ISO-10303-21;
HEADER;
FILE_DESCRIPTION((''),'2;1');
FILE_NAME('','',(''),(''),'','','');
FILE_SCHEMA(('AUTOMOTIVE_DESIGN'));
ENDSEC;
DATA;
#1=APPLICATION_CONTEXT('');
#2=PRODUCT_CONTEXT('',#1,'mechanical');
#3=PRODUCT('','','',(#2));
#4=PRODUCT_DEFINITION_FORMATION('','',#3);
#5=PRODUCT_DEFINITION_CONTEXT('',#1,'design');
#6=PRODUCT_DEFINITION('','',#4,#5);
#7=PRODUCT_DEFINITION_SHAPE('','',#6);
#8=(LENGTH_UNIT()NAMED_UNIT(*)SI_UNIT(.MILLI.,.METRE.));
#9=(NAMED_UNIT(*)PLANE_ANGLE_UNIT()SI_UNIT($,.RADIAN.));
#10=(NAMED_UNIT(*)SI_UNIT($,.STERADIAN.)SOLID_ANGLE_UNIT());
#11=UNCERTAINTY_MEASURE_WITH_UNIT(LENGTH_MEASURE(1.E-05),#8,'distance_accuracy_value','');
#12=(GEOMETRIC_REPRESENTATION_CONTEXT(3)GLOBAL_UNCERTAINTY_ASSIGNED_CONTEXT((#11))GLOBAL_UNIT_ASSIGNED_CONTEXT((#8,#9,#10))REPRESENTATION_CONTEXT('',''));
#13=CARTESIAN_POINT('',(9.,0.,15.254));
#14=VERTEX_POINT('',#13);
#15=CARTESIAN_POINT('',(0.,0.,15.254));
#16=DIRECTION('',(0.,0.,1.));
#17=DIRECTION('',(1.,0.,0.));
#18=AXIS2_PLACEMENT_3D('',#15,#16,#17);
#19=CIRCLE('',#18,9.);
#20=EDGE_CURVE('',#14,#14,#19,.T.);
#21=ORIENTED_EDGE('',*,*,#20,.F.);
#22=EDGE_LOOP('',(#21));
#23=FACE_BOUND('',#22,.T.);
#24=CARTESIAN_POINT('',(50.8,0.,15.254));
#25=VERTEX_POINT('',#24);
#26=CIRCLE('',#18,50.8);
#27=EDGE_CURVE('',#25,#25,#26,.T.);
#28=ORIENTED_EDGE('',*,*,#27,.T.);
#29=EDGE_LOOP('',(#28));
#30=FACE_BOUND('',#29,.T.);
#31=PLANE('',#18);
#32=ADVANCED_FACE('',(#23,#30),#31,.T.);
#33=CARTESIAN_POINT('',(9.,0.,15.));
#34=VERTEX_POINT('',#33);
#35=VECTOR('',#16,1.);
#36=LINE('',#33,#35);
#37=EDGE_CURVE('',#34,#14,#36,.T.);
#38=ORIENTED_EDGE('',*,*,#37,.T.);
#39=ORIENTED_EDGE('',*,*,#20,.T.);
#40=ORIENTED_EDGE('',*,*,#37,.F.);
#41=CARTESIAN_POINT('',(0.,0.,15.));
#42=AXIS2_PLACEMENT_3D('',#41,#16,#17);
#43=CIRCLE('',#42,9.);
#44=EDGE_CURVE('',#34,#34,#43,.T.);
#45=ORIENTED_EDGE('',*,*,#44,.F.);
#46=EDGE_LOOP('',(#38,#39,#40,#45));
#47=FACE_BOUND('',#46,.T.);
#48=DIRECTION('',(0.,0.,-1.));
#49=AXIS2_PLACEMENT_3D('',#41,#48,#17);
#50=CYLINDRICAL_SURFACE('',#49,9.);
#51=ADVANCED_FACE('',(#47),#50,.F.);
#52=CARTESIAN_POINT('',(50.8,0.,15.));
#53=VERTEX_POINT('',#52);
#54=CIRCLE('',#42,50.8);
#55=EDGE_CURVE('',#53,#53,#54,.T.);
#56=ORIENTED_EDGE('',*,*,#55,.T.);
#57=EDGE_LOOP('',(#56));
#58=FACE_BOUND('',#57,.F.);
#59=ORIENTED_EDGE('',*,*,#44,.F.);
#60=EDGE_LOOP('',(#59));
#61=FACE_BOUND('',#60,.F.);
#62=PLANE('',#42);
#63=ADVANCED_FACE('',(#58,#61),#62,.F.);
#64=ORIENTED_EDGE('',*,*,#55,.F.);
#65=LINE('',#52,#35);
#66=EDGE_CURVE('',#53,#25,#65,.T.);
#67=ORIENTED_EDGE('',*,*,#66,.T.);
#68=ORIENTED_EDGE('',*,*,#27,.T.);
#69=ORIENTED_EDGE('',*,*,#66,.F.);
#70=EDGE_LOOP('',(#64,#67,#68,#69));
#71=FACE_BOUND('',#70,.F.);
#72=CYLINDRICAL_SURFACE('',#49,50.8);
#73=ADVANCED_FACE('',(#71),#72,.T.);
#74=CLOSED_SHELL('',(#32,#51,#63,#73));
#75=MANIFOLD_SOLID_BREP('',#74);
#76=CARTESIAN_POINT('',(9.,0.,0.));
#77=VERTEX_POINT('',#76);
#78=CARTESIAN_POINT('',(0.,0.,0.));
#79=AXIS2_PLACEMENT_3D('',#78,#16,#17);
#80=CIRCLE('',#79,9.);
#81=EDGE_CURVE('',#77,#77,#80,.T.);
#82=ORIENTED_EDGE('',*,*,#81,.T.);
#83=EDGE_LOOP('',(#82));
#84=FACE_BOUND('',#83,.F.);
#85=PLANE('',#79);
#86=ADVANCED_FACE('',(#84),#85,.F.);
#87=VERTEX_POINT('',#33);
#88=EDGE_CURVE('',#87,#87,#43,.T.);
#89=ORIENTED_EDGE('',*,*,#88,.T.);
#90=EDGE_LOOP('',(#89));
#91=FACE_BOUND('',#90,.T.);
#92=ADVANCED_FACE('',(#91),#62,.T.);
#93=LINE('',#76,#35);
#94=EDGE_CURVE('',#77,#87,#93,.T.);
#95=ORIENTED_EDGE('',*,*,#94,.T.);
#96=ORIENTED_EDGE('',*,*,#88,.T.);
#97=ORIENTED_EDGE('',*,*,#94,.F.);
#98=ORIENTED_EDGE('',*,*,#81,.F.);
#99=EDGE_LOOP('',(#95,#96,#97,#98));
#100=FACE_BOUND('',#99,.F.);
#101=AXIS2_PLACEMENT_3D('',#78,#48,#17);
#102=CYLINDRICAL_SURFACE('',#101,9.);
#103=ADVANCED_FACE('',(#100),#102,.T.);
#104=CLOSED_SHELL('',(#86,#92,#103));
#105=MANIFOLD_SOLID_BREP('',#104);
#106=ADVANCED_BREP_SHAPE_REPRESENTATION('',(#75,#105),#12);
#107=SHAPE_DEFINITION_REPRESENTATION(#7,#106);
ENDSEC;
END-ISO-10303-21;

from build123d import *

# Parameters (mm, degrees)
F0_R     = 9
F1_DEPTH = 15
F2_R     = 50.8
F2_R_2   = 9
F3_DEPTH = 0.254


with BuildPart() as f1:
    # F0 (on Top) → F1 (new body)
    with BuildSketch(Plane.XY):
        Circle(F0_R)
    extrude(amount=F1_DEPTH)


with BuildPart() as f3:
    # F2 (on face) → F3 (new body)
    with BuildSketch(Plane.XY.offset(15)):
        Circle(F2_R)
        Circle(F2_R_2, mode=Mode.SUBTRACT)
    extrude(amount=F3_DEPTH)


solid = Compound([f1.part, f3.part])
